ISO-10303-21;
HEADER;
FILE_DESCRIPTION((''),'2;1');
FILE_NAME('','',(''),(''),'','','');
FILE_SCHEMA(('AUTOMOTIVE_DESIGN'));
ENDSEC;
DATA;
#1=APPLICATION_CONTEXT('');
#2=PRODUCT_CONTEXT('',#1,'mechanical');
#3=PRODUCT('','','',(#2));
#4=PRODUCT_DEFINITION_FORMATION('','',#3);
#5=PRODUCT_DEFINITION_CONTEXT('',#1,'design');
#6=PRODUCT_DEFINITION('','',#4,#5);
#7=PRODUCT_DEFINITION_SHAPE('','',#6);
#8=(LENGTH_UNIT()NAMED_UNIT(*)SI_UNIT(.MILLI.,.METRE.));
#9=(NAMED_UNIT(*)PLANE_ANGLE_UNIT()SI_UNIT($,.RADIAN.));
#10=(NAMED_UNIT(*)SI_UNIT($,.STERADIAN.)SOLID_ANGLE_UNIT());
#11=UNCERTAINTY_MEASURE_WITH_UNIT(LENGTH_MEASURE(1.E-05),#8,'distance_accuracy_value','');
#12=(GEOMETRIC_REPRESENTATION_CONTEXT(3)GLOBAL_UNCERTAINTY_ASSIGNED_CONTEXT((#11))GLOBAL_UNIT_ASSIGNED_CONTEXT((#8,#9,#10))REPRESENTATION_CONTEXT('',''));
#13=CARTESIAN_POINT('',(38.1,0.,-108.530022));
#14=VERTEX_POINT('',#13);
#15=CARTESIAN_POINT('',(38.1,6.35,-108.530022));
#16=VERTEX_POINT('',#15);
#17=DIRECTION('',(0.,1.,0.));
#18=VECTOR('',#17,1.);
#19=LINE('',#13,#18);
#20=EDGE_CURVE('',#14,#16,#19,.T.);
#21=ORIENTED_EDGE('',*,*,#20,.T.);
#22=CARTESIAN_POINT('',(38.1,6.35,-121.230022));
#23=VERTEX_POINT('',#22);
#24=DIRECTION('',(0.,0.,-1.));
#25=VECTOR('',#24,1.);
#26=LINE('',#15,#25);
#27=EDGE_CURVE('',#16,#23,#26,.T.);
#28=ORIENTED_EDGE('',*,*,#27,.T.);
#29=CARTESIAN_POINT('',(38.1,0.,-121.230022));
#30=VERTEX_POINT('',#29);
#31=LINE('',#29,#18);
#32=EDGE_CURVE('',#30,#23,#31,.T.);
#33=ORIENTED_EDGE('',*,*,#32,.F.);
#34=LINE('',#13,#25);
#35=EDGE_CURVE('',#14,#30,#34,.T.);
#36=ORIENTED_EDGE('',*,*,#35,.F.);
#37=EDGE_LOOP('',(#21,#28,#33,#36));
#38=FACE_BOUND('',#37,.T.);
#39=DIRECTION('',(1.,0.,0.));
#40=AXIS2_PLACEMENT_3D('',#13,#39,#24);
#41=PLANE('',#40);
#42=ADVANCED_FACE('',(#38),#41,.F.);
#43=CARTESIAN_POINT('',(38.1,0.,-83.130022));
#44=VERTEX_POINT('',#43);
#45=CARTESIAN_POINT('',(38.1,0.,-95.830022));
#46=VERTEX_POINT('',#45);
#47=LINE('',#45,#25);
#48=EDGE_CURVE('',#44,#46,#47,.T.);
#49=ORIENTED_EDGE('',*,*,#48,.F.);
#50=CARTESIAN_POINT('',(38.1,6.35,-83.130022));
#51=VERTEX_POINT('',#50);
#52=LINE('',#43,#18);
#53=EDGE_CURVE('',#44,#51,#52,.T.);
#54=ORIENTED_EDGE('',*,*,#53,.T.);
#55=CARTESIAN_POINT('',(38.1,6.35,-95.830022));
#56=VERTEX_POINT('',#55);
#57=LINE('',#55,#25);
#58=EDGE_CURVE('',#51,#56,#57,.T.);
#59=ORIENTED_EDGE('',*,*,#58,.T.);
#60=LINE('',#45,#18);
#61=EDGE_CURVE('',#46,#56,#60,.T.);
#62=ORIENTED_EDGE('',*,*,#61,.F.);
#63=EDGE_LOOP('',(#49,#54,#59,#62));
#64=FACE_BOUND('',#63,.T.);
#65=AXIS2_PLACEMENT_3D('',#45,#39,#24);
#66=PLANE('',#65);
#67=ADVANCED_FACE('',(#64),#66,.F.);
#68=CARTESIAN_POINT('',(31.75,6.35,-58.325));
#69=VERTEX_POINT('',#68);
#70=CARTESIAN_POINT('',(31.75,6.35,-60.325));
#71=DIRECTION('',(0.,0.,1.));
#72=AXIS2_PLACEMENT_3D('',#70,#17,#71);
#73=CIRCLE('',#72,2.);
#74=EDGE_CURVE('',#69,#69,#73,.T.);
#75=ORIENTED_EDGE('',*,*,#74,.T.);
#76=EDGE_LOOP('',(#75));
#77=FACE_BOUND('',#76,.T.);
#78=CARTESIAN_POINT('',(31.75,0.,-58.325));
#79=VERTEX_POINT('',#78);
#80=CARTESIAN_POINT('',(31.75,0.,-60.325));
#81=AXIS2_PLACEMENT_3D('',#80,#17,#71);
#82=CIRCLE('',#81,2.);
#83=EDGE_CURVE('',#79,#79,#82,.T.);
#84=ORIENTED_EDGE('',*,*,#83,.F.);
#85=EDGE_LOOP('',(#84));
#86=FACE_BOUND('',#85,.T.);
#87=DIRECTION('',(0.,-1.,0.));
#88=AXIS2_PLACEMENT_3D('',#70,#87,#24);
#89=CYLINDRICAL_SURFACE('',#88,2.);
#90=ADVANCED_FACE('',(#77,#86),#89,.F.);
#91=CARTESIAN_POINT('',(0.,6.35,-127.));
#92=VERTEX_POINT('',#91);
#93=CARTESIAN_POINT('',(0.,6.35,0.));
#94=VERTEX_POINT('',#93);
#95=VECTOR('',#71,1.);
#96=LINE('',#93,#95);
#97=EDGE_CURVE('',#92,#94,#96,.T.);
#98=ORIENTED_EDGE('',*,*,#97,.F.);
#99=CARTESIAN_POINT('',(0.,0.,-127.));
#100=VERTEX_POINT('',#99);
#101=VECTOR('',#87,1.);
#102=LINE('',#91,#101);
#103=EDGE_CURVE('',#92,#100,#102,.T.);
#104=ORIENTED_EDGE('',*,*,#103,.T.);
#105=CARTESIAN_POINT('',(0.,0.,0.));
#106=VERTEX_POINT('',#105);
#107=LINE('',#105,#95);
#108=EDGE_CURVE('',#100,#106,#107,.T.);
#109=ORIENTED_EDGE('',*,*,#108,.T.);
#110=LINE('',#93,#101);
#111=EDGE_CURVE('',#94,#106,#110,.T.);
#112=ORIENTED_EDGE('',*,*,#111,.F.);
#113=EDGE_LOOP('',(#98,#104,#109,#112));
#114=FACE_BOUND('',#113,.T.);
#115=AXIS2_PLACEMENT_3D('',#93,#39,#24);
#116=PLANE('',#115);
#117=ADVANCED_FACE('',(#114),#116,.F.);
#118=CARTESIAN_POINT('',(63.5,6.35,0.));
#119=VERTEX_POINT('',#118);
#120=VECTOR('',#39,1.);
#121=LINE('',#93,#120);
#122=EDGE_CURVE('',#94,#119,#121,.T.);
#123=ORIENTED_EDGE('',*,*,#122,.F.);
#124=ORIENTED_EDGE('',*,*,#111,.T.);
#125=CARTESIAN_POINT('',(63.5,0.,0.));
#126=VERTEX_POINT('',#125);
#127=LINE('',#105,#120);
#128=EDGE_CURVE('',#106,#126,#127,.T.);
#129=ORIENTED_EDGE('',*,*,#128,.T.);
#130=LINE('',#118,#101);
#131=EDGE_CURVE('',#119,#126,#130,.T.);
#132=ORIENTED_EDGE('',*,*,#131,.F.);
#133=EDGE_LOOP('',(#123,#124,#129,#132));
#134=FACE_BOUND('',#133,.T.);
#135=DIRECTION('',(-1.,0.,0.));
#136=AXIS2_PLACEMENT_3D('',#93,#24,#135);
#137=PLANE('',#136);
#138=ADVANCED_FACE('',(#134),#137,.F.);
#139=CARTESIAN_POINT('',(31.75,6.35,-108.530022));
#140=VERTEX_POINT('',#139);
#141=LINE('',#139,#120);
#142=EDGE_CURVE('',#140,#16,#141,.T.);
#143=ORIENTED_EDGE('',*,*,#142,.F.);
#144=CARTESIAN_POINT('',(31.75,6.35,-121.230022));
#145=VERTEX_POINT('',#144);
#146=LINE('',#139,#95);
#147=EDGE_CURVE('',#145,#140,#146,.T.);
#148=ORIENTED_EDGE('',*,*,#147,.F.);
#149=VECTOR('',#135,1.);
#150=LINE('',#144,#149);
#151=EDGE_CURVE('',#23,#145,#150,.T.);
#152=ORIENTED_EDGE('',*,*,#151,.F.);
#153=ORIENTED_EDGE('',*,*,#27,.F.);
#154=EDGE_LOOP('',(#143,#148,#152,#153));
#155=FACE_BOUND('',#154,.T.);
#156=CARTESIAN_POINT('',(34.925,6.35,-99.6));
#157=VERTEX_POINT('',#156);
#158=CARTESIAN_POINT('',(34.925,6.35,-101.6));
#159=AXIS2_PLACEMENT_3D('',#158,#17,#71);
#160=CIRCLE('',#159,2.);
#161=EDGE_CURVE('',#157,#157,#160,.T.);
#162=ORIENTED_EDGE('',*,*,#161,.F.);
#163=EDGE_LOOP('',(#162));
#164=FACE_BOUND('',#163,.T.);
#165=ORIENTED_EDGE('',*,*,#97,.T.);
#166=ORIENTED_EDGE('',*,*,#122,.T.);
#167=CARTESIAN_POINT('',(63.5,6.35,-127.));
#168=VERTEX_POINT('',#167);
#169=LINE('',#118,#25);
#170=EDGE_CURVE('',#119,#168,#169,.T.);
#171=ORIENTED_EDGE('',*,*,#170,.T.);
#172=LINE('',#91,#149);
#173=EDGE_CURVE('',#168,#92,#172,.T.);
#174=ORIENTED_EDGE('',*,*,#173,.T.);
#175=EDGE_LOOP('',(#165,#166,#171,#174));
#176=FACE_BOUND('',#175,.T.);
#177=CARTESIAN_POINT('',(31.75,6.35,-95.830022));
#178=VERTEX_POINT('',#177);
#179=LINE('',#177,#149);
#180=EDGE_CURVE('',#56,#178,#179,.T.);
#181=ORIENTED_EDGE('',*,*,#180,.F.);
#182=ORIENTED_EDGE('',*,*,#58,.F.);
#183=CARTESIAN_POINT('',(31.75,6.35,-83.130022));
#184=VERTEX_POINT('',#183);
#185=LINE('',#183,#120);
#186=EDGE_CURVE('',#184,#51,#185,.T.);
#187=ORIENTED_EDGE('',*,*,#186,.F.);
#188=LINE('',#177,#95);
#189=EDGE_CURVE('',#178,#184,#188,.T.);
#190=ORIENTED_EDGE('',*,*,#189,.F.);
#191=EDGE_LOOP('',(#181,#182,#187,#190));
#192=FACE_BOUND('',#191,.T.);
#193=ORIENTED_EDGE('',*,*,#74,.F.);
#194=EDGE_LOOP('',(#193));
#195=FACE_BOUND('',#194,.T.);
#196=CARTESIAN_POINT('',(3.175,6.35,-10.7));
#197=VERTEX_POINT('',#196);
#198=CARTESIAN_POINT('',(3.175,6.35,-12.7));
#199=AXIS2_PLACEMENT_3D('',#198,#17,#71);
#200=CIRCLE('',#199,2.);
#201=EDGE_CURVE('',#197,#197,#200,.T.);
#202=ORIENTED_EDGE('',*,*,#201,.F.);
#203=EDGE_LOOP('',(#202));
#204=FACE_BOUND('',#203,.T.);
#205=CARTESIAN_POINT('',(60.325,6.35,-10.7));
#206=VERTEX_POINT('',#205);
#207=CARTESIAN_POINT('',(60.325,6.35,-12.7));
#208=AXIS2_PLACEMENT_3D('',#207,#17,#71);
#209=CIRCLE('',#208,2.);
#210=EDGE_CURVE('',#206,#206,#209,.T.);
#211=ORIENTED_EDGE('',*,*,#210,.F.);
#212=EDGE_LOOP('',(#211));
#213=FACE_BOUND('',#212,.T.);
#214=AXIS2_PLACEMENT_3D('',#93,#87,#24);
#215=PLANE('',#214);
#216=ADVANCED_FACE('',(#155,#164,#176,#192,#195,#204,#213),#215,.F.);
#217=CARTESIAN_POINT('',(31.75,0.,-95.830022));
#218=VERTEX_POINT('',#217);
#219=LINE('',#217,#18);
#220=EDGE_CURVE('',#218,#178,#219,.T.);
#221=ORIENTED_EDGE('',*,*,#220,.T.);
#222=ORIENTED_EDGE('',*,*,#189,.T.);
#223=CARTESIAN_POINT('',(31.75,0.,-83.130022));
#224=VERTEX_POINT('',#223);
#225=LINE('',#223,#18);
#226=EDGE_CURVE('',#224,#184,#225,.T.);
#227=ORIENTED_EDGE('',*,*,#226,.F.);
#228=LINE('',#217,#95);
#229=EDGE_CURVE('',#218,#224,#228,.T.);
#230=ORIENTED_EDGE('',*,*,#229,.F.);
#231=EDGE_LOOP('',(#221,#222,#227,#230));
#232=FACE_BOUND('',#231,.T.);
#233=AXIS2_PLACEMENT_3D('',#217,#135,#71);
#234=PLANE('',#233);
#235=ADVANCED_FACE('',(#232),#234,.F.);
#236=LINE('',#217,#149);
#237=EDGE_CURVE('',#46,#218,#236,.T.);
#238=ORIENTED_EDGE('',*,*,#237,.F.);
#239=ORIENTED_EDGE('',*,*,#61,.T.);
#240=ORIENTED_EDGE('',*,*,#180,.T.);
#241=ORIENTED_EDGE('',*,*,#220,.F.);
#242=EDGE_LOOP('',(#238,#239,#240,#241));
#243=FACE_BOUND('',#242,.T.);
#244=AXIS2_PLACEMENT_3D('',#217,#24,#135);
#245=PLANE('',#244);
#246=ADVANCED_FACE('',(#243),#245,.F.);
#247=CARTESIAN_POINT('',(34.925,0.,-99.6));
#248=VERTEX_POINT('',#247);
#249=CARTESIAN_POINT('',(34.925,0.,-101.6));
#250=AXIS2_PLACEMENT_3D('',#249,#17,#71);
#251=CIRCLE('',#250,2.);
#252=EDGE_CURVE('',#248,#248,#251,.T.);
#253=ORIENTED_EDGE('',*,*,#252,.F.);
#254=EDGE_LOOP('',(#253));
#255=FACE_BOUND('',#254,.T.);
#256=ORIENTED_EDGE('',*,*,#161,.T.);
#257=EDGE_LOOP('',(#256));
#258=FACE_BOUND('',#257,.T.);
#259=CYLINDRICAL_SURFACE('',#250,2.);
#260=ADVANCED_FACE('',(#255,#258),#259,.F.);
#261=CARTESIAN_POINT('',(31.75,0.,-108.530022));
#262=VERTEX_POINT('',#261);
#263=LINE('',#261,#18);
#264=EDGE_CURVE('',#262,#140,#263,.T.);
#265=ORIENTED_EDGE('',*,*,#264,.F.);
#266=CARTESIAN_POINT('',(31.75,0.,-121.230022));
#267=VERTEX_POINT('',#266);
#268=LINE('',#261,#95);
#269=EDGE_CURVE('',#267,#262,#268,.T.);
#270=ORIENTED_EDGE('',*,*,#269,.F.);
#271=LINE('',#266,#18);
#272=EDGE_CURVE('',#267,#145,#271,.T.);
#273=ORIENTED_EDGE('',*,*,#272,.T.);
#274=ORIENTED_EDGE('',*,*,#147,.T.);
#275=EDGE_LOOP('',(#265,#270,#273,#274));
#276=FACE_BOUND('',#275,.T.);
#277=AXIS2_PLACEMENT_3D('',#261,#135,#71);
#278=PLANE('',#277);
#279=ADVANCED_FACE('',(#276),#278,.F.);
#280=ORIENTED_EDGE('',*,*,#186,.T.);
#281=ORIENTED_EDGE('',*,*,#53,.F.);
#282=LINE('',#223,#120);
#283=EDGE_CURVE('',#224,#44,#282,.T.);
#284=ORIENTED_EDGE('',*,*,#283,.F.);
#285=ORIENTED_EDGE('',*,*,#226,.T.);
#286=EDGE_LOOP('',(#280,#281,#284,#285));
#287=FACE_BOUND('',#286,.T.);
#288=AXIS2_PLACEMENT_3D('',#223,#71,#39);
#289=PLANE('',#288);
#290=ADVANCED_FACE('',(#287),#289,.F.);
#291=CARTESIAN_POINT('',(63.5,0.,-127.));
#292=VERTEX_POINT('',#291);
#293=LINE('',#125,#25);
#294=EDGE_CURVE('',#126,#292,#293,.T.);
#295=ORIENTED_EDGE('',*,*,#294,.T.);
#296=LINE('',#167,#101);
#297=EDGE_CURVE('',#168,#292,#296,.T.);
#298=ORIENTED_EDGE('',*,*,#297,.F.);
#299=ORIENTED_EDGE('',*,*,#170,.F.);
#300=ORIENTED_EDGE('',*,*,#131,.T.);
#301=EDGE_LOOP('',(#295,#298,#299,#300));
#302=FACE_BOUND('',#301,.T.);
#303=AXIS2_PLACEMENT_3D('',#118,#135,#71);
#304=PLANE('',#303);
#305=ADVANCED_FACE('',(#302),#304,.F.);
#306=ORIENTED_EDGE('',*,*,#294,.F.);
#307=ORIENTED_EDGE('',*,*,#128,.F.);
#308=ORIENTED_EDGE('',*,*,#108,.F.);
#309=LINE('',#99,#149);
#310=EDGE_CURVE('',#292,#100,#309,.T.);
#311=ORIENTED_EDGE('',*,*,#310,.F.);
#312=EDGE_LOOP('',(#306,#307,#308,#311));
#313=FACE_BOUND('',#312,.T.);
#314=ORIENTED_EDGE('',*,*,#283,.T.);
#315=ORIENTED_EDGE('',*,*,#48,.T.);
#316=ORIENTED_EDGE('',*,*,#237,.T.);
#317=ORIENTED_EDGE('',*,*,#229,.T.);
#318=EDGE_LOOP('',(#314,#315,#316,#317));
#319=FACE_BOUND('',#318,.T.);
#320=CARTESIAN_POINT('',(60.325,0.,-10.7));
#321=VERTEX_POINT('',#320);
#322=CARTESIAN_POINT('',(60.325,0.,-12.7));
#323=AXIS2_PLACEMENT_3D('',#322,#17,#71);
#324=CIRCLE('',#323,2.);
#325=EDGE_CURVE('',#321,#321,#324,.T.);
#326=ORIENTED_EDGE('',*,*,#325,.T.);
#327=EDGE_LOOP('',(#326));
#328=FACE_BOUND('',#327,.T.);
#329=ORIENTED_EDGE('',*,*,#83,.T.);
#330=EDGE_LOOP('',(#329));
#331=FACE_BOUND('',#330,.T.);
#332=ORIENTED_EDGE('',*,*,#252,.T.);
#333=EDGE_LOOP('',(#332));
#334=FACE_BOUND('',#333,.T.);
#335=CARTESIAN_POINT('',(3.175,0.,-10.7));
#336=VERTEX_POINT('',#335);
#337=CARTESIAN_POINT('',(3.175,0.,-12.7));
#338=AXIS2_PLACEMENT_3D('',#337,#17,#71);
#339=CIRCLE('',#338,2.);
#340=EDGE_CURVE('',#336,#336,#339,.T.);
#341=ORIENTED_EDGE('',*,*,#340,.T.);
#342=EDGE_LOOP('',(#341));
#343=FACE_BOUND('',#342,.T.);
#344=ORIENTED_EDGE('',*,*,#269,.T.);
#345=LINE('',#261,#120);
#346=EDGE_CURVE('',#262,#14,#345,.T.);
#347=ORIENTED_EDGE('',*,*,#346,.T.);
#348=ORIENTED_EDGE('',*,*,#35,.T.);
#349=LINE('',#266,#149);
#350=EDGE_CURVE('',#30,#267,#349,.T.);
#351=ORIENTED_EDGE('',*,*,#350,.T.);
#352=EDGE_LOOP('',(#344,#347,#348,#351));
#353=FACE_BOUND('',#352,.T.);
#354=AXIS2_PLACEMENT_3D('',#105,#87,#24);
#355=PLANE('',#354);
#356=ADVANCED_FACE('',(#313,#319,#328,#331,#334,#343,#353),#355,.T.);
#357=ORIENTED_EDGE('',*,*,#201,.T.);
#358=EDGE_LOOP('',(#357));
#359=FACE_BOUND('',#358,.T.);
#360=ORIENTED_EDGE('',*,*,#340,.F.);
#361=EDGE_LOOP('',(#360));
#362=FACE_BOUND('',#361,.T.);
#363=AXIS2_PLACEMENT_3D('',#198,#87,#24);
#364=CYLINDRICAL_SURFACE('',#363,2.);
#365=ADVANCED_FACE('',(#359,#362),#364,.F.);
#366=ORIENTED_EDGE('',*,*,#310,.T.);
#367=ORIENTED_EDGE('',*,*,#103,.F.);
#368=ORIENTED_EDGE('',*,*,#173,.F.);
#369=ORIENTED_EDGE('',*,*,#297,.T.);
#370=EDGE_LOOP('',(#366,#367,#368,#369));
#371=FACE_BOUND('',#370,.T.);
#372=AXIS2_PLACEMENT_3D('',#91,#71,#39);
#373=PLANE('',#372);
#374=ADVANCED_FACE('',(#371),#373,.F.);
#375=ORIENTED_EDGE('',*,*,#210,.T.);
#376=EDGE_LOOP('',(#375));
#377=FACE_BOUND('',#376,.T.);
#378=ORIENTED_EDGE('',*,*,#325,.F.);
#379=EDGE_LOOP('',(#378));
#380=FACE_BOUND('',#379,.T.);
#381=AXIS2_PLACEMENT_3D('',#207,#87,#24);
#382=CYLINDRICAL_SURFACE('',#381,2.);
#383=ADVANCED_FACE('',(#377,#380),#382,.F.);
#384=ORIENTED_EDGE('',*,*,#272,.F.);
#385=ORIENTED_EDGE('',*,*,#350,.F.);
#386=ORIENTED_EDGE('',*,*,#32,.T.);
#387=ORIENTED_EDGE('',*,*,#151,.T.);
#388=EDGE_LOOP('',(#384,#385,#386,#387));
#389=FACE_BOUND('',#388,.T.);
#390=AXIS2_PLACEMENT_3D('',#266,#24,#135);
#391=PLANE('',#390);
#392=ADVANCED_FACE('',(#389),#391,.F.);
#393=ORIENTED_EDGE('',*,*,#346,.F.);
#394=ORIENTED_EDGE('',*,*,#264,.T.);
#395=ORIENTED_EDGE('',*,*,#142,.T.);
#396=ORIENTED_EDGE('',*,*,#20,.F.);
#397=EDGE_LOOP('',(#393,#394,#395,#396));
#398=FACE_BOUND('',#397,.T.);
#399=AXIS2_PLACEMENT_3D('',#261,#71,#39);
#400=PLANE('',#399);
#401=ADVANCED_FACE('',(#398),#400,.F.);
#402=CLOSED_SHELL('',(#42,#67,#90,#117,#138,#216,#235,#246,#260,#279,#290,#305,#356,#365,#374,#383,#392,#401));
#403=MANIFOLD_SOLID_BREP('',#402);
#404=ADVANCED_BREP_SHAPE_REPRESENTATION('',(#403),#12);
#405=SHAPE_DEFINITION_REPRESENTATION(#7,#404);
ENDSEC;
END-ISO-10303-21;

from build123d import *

# Parameters (mm, degrees)
SKETCH1_W           = 63.5
SKETCH1_H           = 127
SKETCH1_R           = 2
BOSS_EXTRUDE1_DEPTH = 6.35
SKETCH2_R           = 2
SKETCH2_W           = 6.35
SKETCH2_H           = 12.7
CUT_EXTRUDE1_DEPTH  = 6.35


with BuildPart() as part:
    # Sketch1 → Boss-Extrude1 (new body)
    with BuildSketch(Plane(origin=(0, 0, 0), x_dir=(1, 0, 0), z_dir=(0, 1, 0))):
        with Locations((31.75, 63.5)):
            Rectangle(SKETCH1_W, SKETCH1_H)
        with Locations((3.175, 12.7)):
            Circle(SKETCH1_R, mode=Mode.SUBTRACT)
        with Locations((60.325, 12.7)):
            Circle(SKETCH1_R, mode=Mode.SUBTRACT)
        with Locations((31.75, 60.325)):
            Circle(SKETCH1_R, mode=Mode.SUBTRACT)
    extrude(amount=BOSS_EXTRUDE1_DEPTH)

    # Sketch2 → Cut-Extrude1 (cut)
    with BuildSketch(Plane(origin=(0, 6.35, 0), x_dir=(1, 0, 0), z_dir=(0, 1, 0))):
        with Locations((34.925, 101.6)):
            Circle(SKETCH2_R)
        with Locations((34.925, 89.48002155)):
            Rectangle(SKETCH2_W, SKETCH2_H)
        with Locations((34.925, 114.88002155)):
            Rectangle(SKETCH2_W, SKETCH2_H)
    extrude(amount=-CUT_EXTRUDE1_DEPTH, mode=Mode.SUBTRACT)


solid = part.part
